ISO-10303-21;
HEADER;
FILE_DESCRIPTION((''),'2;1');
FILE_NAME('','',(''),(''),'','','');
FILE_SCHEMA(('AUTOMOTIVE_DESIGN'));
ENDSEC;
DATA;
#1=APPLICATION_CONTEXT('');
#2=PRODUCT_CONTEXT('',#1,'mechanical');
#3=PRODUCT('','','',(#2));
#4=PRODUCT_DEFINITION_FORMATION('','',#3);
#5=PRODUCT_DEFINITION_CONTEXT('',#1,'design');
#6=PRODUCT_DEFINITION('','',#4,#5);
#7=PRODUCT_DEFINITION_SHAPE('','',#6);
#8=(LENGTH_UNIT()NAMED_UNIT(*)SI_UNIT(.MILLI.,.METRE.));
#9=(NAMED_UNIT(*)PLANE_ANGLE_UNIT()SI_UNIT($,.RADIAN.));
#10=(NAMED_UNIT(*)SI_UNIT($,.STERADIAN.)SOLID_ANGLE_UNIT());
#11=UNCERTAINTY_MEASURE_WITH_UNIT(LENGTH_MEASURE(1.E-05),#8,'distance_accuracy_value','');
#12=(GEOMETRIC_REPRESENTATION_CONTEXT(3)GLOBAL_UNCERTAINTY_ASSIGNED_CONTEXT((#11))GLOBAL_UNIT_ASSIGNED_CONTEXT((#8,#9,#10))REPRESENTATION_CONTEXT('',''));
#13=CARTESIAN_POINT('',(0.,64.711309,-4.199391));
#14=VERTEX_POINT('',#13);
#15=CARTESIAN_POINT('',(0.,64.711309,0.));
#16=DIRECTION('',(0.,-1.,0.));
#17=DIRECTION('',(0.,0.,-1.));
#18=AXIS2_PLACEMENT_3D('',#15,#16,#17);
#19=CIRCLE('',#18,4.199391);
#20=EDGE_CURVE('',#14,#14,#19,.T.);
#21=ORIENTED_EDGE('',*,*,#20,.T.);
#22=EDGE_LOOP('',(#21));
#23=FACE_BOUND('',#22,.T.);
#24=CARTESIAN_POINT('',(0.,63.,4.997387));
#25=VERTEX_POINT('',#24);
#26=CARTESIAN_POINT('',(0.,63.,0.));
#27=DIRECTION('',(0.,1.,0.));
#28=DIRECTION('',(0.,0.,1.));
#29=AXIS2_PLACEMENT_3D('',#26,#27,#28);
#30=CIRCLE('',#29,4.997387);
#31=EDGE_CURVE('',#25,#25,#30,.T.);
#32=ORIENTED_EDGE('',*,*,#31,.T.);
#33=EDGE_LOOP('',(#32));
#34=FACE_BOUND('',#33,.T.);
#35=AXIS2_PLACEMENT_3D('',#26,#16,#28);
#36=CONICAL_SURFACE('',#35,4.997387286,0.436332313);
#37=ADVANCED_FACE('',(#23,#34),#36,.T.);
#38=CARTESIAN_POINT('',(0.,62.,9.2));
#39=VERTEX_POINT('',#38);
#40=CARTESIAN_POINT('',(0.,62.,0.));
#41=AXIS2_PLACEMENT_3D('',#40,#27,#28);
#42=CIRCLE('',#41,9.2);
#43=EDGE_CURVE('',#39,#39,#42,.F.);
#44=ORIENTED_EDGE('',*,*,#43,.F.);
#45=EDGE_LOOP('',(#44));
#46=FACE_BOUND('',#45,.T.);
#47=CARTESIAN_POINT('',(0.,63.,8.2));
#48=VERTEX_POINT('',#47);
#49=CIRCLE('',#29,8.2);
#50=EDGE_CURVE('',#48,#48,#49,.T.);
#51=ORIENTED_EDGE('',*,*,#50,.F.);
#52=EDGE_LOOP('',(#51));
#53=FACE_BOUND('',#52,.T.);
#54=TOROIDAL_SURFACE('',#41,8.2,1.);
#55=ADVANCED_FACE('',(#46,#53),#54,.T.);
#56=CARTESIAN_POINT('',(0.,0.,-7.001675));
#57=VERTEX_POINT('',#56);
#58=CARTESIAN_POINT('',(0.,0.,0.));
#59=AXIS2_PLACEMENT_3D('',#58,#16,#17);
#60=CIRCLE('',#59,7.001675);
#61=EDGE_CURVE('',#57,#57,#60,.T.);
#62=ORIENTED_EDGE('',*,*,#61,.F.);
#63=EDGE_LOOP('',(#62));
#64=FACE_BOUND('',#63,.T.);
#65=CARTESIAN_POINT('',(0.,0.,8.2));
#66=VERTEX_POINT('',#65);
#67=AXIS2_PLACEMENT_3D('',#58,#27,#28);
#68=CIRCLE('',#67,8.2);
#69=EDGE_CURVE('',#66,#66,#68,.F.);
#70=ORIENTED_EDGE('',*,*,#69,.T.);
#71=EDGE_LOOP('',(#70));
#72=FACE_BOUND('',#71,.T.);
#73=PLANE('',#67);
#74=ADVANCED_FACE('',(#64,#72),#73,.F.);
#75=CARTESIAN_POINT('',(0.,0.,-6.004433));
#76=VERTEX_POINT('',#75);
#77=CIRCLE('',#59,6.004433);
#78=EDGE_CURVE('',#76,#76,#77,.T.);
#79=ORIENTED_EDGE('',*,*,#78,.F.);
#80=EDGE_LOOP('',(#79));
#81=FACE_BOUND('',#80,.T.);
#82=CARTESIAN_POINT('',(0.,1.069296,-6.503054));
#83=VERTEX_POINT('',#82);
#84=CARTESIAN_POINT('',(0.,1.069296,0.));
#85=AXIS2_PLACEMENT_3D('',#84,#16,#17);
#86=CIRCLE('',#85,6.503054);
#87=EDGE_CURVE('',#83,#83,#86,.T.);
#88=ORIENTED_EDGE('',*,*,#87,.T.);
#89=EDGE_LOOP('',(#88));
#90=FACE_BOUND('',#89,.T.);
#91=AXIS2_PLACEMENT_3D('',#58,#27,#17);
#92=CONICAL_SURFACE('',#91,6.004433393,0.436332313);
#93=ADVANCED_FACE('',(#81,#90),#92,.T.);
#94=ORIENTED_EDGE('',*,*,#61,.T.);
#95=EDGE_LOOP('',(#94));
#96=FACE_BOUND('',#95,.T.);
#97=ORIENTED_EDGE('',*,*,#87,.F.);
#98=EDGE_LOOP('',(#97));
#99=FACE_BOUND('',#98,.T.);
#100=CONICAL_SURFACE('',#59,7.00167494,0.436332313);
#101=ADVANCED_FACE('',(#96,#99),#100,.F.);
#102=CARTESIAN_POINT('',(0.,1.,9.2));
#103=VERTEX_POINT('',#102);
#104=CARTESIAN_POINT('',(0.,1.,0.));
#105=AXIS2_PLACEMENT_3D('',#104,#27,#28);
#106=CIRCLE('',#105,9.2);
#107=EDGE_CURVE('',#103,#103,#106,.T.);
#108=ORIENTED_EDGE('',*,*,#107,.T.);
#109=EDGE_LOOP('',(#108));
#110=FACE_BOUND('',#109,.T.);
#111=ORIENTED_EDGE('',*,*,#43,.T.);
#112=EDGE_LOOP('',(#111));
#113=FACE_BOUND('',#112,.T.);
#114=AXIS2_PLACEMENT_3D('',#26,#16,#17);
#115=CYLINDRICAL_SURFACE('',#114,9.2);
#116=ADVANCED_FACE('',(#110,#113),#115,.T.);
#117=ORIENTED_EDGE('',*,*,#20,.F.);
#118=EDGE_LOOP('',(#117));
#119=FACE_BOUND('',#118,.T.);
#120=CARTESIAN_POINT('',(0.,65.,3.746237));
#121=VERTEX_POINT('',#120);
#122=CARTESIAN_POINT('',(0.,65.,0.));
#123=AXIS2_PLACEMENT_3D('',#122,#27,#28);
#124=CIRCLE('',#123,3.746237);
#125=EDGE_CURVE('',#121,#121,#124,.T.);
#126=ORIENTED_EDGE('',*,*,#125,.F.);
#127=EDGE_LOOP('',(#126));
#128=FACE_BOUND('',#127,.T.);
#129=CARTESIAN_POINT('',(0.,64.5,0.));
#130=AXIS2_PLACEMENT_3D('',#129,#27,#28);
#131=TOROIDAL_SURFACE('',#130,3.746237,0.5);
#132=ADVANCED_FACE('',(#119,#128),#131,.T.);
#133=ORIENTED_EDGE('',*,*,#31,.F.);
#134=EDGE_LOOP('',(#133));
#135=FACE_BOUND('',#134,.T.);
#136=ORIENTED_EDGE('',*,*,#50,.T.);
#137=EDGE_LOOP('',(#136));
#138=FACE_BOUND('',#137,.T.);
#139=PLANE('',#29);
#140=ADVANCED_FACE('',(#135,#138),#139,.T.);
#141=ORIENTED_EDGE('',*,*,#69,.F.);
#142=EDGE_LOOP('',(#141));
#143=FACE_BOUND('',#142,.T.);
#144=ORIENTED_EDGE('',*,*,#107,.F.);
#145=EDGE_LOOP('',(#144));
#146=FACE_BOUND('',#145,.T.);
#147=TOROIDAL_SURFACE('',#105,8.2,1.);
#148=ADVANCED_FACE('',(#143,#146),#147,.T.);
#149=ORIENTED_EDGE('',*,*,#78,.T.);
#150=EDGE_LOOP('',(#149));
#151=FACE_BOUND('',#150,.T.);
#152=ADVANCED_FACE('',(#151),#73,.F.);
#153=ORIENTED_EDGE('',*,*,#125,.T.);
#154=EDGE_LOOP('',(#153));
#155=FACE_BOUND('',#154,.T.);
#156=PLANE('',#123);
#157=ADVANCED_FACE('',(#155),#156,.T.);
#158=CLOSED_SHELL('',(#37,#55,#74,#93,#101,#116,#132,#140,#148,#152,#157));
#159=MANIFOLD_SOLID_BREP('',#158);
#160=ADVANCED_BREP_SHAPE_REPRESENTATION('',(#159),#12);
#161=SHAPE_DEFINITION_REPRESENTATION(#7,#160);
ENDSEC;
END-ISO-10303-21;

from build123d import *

# Parameters (mm, degrees)
SKETCH1_R           = 9.2
BOSS_EXTRUDE1_DEPTH = 63
SKETCH2_R           = 4.997387286
BOSS_EXTRUDE2_DEPTH = 2
BOSS_EXTRUDE2_TAPER = 25
SKETCH3_R           = 7.00167494
SKETCH3_R_2         = 6.004433393
CUT_EXTRUDE1_DEPTH  = 3
CUT_EXTRUDE1_TAPER  = 25
FILLET1_R           = 1
FILLET2_R           = 0.5
FILLET3_R           = 1


with BuildPart() as part:
    # Sketch1 → Boss-Extrude1 (new body)
    with BuildSketch(Plane(origin=(0, 0, 0), x_dir=(1, 0, 0), z_dir=(0, 1, 0))):
        with Locations(Location((0, 0, 0), (0, 0, 270))):
            Circle(SKETCH1_R)
    extrude(amount=BOSS_EXTRUDE1_DEPTH)

    # Sketch2 → Boss-Extrude2 (add)
    with BuildSketch(Plane(origin=(0, 63, 0), x_dir=(1, 0, 0), z_dir=(0, 1, 0))):
        Circle(SKETCH2_R)
    extrude(amount=BOSS_EXTRUDE2_DEPTH, taper=BOSS_EXTRUDE2_TAPER)

    # Sketch3 → Cut-Extrude1 (cut)
    with BuildSketch(Plane.XZ):
        Circle(SKETCH3_R)
        Circle(SKETCH3_R_2, mode=Mode.SUBTRACT)
    extrude(amount=-CUT_EXTRUDE1_DEPTH, taper=CUT_EXTRUDE1_TAPER, mode=Mode.SUBTRACT)

    # Fillet1
    fillet1_edges = [part.edges().sort_by_distance(p)[0] for p in [
        (0, 63, -9.2),
    ]]
    fillet(fillet1_edges, radius=FILLET1_R)

    # Fillet2
    fillet2_edges = [part.edges().sort_by_distance(p)[0] for p in [
        (-4.064771969, 65, 0),
    ]]
    fillet(fillet2_edges, radius=FILLET2_R)

    # Fillet3
    fillet3_edges = [part.edges().sort_by_distance(p)[0] for p in [
        (0, 0, -9.2),
    ]]
    fillet(fillet3_edges, radius=FILLET3_R)


solid = part.part
